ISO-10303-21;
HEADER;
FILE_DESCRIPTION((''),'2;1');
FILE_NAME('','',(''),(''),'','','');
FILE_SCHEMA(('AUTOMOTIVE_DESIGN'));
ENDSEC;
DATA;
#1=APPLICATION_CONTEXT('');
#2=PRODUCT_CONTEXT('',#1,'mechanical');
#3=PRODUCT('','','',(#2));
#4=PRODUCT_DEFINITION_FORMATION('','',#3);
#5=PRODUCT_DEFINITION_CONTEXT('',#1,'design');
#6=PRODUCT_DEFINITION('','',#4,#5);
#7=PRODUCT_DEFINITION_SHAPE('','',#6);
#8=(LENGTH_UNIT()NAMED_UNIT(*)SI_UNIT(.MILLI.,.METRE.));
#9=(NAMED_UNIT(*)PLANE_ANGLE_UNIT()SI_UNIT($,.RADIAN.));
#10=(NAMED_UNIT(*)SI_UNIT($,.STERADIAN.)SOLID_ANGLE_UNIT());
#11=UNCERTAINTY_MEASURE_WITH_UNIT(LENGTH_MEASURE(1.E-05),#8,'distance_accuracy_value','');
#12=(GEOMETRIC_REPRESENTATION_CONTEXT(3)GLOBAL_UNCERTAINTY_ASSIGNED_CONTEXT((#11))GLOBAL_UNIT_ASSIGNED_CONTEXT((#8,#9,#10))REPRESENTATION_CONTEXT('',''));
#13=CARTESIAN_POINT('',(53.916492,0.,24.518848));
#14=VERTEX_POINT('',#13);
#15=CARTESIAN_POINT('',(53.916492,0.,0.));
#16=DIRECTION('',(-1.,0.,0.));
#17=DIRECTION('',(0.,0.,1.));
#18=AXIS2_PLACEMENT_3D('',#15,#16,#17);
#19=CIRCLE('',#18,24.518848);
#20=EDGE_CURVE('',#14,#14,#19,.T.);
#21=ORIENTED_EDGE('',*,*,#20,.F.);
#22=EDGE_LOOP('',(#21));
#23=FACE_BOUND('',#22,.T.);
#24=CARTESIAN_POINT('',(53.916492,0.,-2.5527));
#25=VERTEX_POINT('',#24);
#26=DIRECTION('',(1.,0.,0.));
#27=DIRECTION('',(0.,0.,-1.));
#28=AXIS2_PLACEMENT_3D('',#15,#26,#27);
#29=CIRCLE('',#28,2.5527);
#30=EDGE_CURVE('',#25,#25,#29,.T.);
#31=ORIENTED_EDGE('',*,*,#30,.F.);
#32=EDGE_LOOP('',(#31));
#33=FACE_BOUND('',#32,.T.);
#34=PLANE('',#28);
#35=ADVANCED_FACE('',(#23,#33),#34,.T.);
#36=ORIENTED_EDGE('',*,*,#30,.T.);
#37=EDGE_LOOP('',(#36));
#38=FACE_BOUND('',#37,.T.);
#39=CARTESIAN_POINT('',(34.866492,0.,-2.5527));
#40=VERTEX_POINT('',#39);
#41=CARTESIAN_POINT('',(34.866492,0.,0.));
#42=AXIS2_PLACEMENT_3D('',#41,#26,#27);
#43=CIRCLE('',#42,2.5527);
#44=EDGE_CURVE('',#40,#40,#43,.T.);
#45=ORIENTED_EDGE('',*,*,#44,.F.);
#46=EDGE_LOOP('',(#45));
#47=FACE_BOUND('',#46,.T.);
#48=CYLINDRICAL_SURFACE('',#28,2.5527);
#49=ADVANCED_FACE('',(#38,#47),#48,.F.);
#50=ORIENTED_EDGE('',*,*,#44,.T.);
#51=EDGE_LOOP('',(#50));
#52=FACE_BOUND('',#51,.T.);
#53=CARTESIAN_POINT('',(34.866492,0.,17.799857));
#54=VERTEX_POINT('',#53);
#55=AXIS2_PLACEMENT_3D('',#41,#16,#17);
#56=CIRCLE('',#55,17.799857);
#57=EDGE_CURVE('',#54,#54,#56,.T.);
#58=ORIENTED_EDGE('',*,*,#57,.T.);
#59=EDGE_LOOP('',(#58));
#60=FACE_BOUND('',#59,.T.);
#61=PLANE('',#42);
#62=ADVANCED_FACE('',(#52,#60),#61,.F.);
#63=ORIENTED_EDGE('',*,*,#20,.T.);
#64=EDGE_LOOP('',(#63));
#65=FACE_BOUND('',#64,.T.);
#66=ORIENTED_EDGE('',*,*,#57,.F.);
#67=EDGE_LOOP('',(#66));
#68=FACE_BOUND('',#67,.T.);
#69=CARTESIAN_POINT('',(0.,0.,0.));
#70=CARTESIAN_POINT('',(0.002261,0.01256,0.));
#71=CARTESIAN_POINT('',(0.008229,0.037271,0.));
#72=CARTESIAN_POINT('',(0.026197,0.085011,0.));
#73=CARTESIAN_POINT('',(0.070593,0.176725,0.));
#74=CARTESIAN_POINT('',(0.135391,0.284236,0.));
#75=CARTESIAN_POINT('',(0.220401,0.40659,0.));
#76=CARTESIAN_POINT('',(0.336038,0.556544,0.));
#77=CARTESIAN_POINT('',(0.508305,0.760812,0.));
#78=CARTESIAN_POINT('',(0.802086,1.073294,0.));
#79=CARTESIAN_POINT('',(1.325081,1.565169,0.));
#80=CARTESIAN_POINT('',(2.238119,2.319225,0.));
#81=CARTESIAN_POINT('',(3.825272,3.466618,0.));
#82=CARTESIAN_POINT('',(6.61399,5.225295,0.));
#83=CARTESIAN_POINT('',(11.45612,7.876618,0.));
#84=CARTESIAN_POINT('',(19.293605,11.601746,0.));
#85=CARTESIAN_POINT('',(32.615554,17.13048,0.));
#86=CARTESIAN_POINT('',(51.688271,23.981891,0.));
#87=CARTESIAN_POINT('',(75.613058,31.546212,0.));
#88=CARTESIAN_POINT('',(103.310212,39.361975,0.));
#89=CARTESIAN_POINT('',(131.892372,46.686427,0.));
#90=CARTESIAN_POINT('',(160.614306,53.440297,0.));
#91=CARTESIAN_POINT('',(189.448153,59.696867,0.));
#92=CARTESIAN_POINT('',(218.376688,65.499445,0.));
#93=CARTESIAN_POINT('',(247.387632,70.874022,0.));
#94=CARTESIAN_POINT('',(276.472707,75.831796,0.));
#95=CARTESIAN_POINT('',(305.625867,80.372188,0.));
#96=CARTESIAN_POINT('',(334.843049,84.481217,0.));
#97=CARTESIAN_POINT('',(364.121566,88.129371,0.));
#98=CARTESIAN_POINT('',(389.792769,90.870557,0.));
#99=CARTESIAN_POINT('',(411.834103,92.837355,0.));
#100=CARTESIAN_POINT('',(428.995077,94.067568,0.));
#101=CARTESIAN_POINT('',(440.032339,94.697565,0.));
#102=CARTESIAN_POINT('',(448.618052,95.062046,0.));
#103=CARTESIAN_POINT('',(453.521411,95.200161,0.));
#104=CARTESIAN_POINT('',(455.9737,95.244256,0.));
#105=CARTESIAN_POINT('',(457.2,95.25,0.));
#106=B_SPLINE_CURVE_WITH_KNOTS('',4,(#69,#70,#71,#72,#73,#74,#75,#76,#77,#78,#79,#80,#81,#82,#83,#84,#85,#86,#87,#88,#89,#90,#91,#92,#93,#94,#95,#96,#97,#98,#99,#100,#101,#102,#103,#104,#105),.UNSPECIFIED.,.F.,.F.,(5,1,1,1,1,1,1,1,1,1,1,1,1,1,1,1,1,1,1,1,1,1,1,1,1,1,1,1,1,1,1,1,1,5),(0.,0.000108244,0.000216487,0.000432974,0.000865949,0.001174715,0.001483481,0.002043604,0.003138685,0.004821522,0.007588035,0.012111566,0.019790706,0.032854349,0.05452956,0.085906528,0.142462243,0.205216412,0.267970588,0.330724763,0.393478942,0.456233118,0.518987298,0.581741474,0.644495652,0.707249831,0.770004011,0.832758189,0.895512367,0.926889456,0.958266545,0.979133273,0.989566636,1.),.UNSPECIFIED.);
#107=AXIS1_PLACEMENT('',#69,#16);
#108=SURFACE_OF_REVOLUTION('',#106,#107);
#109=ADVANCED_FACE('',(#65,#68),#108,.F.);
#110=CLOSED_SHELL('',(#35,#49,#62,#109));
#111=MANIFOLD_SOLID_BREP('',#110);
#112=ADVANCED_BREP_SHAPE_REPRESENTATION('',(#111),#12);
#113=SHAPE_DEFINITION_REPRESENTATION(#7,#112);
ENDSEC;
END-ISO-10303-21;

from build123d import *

# Parameters (mm, degrees)
SKETCH4_R               = 95.25
CUT_EXTRUDE2_DEPTH      = 439.670222351
SKETCH2_R               = 95.25
CUT_EXTRUDE3_DEPTH      = 50.173367204
F_1_4_20_TAPPED_HOLE1_D = 5.1054


with BuildPart() as part:
    # Sketch1 → Revolve3 (revolve)
    with BuildSketch(Plane.XY, mode=Mode.PRIVATE) as revolve3_sk:
        with BuildLine():
            Line((0, 0), (457.2, 0))
            Line((457.2, 0), (471.392765137, 0))
            Line((471.392765137, 0), (471.392765137, 95.25))
            Line((471.392765137, 95.25), (457.2, 95.25))
            add(Edge.make_bspline(
                [(0, 0), (0.002261413, 0.012559634), (0.008229149, 0.03727132), (0.026197477, 0.085010802), (0.070593088, 0.176725307), (0.135390602, 0.284235785), (0.220401303, 0.406590084), (0.336037993, 0.556544126), (0.508304998, 0.760811711), (0.80208614, 1.073293742), (1.325080854, 1.565169332), (2.238118633, 2.319225256), (3.825271995, 3.466618443), (6.613989832, 5.225294798), (11.456120137, 7.876617711), (19.293604572, 11.601746405), (32.615554098, 17.130480015), (51.688271319, 23.981890995), (75.613057969, 31.54621241), (103.310212008, 39.361975261), (131.892371678, 46.686426538), (160.614305524, 53.440297164), (189.44815344, 59.696867207), (218.376688059, 65.499444524), (247.387631707, 70.874021631), (276.472706829, 75.831796355), (305.625866717, 80.372187528), (334.843049411, 84.481216859), (364.121565724, 88.129371268), (389.792768776, 90.870557363), (411.834102605, 92.837355417), (428.995077346, 94.067568174), (440.032338735, 94.69756489), (448.618051981, 95.062046142), (453.521410507, 95.200160943), (455.973700484, 95.244255862), (457.2, 95.25)],
                knots=[0, 0, 0, 0, 0, 0.000108244, 0.000216487, 0.000432974, 0.000865949, 0.001174715, 0.001483481, 0.002043604, 0.003138685, 0.004821522, 0.007588035, 0.012111566, 0.019790706, 0.032854349, 0.05452956, 0.085906528, 0.142462243, 0.205216412, 0.267970588, 0.330724763, 0.393478942, 0.456233118, 0.518987298, 0.581741474, 0.644495652, 0.707249831, 0.770004011, 0.832758189, 0.895512367, 0.926889456, 0.958266545, 0.979133273, 0.989566636, 1, 1, 1, 1, 1], degree=4))
        make_face()
    revolve(revolve3_sk.sketch.rotate(Axis((0, 0, 0), (1, 0, 0)), 90), axis=Axis((0, 0, 0), (1, 0, 0)))

    # Sketch4 → Cut-Extrude2 (cut, through all)
    with BuildSketch(Plane(origin=(53.916491633, 0, 0), x_dir=(0, 0, -1), z_dir=(1, 0, 0))):
        Circle(SKETCH4_R)
    extrude(amount=CUT_EXTRUDE2_DEPTH, mode=Mode.SUBTRACT)

    # Sketch2 → Cut-Extrude3 (cut, through all)
    with BuildSketch(Plane(origin=(34.866491633, 0, 0), x_dir=(0, 0, -1), z_dir=(1, 0, 0))):
        Circle(SKETCH2_R)
    extrude(amount=-CUT_EXTRUDE3_DEPTH, mode=Mode.SUBTRACT)

    # 1/4-20 Tapped Hole1 (through all)
    with Locations(Plane(origin=(53.916491633, 0, 0), x_dir=(0, 0, -1), z_dir=(1, 0, 0))):
        with Locations((0, 0)):
            Hole(F_1_4_20_TAPPED_HOLE1_D / 2)


solid = part.part
